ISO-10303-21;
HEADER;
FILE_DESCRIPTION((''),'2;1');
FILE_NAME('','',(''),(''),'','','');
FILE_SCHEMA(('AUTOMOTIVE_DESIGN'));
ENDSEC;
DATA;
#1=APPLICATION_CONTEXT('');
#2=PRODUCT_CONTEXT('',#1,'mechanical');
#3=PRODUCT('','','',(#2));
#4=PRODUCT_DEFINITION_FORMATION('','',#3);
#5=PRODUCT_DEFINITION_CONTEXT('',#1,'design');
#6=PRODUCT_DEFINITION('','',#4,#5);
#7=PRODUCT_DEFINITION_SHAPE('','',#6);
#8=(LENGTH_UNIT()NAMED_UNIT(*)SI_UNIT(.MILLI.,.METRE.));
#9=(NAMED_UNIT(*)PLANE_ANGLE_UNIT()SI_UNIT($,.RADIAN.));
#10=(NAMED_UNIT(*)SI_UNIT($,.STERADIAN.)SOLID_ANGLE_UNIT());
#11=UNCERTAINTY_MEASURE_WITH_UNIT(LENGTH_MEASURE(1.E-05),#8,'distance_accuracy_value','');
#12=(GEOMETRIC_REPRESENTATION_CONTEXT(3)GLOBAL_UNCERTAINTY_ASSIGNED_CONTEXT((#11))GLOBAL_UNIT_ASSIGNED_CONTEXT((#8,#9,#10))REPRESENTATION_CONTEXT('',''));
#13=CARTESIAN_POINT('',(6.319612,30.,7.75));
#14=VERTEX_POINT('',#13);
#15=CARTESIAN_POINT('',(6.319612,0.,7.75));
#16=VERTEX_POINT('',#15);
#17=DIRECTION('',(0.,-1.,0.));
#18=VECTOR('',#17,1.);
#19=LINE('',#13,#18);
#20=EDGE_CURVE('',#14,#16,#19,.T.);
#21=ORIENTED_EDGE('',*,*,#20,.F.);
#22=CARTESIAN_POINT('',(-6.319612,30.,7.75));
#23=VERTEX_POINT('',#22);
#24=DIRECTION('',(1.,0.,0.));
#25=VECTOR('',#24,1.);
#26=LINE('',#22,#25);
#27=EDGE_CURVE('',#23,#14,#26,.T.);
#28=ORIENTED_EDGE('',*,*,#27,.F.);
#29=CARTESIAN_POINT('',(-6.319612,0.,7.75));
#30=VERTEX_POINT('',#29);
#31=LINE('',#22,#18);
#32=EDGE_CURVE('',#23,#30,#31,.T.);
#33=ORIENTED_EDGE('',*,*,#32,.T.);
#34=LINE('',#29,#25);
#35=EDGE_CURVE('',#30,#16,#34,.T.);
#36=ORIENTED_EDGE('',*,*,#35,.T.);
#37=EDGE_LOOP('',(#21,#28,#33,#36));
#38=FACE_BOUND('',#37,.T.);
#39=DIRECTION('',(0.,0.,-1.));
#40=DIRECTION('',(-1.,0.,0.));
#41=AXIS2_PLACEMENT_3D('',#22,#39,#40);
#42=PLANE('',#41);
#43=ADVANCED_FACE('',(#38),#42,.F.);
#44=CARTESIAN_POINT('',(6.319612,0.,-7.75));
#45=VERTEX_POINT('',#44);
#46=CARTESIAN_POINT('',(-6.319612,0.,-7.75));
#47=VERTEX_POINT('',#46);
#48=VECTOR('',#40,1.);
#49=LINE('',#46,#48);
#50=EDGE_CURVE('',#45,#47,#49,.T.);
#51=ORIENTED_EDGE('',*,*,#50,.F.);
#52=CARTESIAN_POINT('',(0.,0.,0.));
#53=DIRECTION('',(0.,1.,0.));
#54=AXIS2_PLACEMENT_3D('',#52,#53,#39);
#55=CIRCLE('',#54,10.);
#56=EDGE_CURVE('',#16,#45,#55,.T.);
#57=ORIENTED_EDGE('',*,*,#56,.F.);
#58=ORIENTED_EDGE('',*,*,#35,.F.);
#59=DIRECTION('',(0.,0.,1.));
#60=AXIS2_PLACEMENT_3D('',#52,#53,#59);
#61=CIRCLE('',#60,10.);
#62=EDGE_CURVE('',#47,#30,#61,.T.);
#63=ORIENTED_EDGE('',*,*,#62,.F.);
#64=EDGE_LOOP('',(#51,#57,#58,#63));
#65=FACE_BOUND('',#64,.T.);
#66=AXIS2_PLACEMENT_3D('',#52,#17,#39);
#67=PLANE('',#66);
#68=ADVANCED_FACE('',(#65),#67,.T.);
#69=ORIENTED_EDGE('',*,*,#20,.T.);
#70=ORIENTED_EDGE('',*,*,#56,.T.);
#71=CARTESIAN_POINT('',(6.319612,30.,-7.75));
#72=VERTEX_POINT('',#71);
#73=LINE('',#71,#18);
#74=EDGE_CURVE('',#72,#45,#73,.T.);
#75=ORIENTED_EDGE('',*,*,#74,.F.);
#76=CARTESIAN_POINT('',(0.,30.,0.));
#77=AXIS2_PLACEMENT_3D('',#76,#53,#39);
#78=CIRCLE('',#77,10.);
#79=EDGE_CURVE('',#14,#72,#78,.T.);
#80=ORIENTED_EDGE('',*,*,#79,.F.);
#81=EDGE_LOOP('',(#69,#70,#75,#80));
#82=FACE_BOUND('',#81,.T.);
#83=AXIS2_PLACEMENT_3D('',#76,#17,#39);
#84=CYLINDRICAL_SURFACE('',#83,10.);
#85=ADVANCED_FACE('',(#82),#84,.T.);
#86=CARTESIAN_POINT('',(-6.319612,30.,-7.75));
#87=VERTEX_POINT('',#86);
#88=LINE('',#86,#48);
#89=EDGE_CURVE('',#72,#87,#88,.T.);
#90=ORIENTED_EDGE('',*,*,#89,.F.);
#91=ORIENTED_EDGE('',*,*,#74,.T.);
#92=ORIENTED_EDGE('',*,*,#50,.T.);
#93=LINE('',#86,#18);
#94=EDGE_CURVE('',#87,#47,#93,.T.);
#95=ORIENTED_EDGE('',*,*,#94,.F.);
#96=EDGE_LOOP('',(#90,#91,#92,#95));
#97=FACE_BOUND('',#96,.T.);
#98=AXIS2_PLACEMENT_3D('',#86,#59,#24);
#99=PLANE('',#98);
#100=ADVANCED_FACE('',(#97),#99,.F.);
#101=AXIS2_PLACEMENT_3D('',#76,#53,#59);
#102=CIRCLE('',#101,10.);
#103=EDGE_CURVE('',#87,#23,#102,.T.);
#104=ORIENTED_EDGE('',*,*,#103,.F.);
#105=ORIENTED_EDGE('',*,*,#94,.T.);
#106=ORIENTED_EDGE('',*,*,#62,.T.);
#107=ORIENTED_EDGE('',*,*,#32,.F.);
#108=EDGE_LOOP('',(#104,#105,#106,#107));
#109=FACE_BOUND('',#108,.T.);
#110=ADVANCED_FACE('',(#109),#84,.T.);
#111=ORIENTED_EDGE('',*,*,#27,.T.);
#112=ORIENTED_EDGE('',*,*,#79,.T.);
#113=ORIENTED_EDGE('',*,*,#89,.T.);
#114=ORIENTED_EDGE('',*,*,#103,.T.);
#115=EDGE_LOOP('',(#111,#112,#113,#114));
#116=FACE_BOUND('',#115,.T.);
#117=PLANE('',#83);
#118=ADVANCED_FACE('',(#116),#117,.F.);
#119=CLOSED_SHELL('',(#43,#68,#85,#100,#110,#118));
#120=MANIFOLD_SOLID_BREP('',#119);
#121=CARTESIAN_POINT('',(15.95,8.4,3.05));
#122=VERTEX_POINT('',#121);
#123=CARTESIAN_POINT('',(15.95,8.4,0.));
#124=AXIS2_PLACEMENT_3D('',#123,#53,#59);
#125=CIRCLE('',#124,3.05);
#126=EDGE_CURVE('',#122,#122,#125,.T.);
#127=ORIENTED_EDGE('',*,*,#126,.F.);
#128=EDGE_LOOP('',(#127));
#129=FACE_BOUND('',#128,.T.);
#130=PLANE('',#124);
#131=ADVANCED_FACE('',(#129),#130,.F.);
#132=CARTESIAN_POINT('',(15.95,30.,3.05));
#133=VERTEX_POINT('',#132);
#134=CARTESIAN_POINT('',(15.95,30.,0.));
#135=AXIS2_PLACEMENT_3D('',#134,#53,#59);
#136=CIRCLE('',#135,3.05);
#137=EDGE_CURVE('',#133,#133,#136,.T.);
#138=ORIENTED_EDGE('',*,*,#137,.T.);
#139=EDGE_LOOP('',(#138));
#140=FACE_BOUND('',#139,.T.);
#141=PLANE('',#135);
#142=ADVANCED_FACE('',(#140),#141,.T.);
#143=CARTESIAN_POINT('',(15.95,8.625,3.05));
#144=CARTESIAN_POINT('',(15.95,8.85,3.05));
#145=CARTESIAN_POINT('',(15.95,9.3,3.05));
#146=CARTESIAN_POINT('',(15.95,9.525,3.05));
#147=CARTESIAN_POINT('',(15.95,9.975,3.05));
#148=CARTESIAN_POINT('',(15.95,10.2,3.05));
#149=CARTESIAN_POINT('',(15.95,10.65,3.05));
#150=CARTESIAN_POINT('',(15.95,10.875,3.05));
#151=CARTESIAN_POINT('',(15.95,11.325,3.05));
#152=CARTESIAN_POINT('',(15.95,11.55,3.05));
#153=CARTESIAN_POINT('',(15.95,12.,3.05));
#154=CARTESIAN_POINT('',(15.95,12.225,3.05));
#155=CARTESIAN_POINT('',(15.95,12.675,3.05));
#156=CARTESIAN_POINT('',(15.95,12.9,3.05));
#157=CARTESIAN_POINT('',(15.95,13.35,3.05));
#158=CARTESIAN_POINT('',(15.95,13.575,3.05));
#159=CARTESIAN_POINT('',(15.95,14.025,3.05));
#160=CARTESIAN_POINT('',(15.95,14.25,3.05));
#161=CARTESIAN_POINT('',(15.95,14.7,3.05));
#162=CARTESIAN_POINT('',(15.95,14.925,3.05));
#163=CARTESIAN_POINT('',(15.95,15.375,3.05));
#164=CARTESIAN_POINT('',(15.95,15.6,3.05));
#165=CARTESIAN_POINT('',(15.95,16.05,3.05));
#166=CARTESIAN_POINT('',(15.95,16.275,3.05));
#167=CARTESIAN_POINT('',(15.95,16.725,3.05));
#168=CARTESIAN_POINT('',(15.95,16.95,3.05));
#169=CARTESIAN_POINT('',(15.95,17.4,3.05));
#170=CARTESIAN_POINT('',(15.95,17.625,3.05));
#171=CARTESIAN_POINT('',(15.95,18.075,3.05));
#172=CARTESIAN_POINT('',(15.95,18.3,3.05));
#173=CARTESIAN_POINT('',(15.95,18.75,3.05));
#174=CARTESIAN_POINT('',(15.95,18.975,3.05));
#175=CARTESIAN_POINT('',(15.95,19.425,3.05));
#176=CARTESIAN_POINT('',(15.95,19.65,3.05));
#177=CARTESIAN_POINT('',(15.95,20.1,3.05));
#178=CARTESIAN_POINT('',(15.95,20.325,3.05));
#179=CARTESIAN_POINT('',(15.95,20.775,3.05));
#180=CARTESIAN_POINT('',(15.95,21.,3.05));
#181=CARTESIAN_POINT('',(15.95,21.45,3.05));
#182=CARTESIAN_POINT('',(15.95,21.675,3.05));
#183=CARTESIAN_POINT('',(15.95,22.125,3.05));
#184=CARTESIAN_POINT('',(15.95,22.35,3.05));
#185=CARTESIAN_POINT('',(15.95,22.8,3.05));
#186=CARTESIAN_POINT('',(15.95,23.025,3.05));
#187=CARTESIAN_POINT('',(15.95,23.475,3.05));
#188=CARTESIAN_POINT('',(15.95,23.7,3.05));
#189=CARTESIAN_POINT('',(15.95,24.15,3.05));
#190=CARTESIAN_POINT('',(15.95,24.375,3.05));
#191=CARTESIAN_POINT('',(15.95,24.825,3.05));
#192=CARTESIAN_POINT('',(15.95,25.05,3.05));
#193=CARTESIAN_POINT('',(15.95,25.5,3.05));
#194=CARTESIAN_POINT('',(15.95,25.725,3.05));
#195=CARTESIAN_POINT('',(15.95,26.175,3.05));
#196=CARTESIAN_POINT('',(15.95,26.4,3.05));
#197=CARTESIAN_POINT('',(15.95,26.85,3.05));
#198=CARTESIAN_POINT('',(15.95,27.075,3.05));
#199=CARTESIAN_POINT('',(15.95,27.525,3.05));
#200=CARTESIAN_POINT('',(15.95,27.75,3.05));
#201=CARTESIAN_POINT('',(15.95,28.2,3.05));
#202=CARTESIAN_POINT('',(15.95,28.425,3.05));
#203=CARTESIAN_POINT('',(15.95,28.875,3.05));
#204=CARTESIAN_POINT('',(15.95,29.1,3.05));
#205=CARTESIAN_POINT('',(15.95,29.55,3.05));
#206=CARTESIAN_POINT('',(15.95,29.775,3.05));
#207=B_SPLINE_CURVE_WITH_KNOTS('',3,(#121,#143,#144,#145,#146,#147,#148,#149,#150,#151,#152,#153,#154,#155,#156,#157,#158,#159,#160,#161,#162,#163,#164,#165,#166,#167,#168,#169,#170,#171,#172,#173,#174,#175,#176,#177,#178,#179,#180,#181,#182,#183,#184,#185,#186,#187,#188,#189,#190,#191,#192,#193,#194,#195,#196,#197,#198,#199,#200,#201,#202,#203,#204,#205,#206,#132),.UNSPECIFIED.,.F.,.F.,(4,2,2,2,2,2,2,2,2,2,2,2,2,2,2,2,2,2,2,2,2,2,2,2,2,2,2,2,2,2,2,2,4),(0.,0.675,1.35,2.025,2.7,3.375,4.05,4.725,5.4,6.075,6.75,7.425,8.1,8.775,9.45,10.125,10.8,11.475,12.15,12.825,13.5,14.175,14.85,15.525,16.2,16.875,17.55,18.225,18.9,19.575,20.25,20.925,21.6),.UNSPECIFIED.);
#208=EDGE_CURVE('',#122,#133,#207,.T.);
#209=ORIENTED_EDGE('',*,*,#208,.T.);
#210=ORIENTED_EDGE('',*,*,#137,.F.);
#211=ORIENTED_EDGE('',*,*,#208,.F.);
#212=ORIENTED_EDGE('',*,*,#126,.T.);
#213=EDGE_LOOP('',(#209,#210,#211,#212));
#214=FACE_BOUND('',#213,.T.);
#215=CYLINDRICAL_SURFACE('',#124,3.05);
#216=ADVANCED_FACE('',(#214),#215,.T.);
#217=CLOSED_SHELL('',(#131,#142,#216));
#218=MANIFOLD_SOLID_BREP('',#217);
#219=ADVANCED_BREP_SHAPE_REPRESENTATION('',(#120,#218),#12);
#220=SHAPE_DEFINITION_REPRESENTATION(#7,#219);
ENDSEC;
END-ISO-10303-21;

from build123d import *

# Parameters (mm, degrees)
RESSALTO_EXTRUS_O1_DEPTH = 30
ESBO_O3_R                = 3.05
RESSALTO_EXTRUS_O2_DEPTH = 21.6


with BuildPart() as part:
    # Esboço2 → Ressalto-extrusão1 (new body)
    with BuildSketch(Plane(origin=(0, 0, 0), x_dir=(1, 0, 0), z_dir=(0, 1, 0))):
        with BuildLine():
            Line((-6.31961233, -7.75), (6.31961233, -7.75))
            ThreePointArc((6.31961233, -7.75), (10, 0), (6.31961233, 7.75))
            Line((6.31961233, 7.75), (-6.31961233, 7.75))
            ThreePointArc((-6.31961233, 7.75), (-10, 0), (-6.31961233, -7.75))
        make_face()
    extrude(amount=RESSALTO_EXTRUS_O1_DEPTH)


with BuildPart() as body_2:
    # Esboço3 → Ressalto-extrusão2 (new body)
    with BuildSketch(Plane(origin=(0, 30, 0), x_dir=(1, 0, 0), z_dir=(0, 1, 0))):
        with Locations(Location((15.95, 0, 0), (0, 0, 270))):
            Circle(ESBO_O3_R)
    extrude(amount=-RESSALTO_EXTRUS_O2_DEPTH)


solid = Compound([part.part, body_2.part])
